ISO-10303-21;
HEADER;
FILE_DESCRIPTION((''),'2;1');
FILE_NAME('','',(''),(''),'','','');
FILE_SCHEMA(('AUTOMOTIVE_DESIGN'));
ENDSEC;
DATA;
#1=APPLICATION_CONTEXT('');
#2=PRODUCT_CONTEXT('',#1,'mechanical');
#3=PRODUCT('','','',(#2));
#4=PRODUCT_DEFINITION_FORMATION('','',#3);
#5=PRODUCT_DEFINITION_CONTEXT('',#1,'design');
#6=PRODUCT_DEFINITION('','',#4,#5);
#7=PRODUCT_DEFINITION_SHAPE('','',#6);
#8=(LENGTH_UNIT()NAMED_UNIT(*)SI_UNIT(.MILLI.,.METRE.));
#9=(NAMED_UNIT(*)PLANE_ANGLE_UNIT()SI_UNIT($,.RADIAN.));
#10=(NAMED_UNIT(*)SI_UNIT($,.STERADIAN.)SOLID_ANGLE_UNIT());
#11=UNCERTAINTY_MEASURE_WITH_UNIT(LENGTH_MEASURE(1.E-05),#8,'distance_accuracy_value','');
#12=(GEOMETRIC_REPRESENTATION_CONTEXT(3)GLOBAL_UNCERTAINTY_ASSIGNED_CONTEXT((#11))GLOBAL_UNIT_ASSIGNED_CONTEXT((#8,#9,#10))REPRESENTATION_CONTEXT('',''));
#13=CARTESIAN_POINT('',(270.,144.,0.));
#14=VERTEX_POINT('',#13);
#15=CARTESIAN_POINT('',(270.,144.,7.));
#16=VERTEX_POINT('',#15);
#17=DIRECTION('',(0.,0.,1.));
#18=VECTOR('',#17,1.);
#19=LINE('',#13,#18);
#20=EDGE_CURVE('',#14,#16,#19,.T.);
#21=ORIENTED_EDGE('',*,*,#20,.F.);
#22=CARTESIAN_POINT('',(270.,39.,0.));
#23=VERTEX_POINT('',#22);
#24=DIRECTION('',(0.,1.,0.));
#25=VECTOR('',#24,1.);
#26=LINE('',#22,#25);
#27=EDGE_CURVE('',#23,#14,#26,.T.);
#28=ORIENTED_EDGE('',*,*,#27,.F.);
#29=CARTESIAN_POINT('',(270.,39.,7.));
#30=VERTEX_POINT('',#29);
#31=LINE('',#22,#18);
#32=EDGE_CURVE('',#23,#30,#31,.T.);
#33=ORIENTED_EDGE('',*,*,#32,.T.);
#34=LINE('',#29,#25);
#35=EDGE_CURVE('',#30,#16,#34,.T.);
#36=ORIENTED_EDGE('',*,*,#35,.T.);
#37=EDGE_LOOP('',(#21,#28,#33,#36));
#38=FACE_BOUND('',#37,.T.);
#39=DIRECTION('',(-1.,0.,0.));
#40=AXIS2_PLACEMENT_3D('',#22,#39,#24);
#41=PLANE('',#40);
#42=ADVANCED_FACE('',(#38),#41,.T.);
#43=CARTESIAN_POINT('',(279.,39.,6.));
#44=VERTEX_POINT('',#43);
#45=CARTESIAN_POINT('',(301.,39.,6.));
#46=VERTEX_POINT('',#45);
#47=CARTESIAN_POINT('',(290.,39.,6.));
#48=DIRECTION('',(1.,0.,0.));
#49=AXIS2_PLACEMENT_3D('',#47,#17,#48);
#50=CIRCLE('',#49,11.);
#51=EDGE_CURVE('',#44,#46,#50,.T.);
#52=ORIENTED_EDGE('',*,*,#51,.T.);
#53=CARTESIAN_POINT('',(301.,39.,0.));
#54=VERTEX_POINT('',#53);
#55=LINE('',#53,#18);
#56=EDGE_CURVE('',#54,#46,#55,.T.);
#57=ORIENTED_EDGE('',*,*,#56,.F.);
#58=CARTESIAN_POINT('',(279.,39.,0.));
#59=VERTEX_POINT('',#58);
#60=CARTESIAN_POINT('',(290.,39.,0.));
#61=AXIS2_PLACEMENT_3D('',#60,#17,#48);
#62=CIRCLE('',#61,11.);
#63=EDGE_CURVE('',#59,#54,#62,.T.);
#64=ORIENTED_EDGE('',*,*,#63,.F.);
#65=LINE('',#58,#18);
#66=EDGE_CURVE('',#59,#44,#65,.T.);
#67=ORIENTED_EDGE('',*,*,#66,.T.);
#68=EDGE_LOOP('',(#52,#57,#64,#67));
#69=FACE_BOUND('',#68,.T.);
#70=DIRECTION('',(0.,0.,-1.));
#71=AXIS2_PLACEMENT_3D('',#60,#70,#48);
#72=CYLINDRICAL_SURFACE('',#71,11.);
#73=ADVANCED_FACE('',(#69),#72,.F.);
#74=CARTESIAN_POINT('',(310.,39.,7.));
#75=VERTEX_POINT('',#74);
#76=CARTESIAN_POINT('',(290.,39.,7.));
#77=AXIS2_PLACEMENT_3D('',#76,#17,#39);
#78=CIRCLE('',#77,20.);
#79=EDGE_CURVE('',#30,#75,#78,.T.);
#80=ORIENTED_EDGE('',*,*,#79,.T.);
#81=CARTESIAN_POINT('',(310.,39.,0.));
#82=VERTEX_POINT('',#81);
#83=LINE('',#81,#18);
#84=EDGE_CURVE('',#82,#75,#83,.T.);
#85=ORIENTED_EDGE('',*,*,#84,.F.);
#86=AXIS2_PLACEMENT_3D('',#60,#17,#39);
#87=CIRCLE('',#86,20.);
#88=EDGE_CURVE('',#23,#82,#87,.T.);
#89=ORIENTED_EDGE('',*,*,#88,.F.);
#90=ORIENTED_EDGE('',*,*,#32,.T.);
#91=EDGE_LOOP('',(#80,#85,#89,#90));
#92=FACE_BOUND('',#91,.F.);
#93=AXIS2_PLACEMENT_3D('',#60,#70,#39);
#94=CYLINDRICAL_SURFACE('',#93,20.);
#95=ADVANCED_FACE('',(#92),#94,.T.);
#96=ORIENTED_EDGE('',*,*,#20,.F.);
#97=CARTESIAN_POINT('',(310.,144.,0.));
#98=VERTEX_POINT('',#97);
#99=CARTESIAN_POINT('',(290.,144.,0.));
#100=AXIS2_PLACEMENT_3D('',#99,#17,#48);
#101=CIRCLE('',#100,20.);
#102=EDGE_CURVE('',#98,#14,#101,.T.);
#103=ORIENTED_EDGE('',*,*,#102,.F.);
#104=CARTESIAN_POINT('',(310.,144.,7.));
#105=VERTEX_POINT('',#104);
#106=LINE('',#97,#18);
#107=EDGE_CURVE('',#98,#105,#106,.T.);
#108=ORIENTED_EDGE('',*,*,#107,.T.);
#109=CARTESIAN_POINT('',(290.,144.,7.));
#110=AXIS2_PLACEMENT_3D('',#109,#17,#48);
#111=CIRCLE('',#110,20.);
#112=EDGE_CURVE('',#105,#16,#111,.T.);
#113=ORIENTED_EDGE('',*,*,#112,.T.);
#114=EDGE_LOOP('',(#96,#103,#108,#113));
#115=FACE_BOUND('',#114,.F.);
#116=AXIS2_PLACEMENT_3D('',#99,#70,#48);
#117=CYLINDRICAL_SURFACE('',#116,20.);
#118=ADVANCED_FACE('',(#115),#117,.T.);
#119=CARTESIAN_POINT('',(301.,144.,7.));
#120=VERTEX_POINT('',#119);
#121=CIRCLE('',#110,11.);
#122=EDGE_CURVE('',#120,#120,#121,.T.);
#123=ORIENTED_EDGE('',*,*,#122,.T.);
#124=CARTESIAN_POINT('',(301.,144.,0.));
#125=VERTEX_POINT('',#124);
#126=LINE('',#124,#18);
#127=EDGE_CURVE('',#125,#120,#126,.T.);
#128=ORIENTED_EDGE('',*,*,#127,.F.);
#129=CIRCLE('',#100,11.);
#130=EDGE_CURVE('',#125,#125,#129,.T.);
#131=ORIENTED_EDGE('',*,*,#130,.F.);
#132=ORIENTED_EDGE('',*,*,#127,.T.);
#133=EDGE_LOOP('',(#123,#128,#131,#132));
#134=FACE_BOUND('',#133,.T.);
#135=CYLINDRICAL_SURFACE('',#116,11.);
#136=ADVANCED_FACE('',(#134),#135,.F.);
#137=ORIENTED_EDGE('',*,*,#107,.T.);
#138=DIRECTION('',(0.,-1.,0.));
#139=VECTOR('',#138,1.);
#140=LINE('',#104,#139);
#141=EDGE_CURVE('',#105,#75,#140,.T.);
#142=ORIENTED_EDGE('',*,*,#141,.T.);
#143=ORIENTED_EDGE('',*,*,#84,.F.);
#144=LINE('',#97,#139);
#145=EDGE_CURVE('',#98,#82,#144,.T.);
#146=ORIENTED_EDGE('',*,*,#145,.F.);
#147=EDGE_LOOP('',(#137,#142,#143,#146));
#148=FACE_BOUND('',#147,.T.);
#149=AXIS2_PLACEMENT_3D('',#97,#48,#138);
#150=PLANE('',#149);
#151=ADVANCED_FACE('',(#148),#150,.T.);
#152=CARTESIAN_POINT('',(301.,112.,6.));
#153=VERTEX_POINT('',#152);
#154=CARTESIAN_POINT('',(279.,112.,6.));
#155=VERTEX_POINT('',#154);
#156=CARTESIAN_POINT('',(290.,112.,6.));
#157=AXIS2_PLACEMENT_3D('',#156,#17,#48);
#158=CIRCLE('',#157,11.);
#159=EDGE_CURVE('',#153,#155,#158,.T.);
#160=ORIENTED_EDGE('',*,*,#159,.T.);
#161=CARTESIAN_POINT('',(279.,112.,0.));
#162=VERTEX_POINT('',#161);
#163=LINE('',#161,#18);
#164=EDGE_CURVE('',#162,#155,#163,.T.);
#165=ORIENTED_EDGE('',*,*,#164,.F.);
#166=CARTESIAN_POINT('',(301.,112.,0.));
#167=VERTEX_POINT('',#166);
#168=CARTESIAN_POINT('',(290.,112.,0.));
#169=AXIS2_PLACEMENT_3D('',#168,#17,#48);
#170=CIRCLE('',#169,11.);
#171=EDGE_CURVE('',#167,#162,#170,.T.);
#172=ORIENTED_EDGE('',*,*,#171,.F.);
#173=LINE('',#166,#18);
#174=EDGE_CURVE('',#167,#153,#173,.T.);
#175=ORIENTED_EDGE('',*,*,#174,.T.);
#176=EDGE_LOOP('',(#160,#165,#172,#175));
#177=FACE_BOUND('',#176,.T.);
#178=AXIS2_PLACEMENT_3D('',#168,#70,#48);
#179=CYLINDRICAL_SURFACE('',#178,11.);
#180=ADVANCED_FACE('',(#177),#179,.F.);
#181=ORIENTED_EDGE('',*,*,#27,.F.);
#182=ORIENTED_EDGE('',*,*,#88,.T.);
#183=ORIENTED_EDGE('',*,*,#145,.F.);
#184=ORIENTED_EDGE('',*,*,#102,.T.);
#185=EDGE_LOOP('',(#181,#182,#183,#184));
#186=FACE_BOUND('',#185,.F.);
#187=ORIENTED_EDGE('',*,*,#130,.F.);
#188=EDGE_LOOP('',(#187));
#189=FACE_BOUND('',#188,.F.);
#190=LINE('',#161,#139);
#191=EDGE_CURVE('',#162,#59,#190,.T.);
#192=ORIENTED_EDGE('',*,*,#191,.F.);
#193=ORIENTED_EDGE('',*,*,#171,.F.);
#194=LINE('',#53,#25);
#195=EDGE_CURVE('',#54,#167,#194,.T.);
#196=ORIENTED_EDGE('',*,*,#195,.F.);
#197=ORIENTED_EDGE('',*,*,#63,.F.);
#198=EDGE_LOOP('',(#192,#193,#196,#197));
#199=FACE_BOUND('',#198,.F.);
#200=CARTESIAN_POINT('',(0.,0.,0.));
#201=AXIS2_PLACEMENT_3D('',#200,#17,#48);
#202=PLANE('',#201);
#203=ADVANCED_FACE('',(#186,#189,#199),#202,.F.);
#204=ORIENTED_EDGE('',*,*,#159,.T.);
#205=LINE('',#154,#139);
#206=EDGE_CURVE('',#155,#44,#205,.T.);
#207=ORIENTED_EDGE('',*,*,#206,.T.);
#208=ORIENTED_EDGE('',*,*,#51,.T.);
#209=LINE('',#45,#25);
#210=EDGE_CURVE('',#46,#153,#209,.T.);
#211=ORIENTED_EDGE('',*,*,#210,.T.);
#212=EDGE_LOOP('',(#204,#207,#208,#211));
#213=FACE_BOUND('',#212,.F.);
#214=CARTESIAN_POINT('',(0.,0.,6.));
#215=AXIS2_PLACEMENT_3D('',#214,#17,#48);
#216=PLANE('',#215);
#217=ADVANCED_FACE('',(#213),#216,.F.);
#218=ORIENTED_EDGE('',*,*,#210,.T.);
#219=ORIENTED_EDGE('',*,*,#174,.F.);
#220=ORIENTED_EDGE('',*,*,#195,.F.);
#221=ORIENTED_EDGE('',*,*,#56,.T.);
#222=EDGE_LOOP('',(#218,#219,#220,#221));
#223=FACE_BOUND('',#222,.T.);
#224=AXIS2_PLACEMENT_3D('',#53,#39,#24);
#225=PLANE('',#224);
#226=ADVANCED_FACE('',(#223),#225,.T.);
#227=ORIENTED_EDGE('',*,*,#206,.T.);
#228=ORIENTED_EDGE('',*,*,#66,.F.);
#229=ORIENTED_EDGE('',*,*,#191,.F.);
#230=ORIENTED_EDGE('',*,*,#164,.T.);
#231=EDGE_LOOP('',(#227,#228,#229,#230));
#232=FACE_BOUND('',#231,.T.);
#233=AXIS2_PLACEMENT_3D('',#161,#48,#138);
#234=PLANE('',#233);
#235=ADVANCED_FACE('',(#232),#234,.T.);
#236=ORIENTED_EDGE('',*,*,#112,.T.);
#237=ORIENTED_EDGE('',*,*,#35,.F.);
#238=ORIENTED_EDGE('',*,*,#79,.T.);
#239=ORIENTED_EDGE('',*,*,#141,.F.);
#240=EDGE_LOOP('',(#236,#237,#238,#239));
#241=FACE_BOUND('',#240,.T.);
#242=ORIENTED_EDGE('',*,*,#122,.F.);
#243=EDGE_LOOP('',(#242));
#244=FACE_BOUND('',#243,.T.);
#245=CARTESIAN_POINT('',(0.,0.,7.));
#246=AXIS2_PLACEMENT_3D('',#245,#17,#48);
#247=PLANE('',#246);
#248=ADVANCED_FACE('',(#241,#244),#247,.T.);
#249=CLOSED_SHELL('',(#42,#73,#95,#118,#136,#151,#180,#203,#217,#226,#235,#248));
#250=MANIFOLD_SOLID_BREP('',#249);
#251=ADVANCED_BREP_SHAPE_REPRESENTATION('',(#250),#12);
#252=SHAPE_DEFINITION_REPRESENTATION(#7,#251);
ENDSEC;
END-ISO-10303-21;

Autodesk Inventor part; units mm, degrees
ref_plane "YZ Plane" through (0, 0, 0) normal (1, 0, 0) x (0, 1, 0)
ref_plane "XZ Plane" through (0, 0, 0) normal (0, 1, 0) x (-1, 0, 0)
ref_plane "XY Plane" through (0, 0, 0) normal (0, 0, 1) x (1, 0, 0)
sketch "Sketch1" plane through (0, 0, 0) normal (0, 0, 1) x (1, 0, 0)
  line L0 (0, 0) -> (220, 0) construction
  line L1 (220, 0) -> (220, 9) construction
  line L2 (220, 9) -> (0, 9) construction
  line L3 (0, 9) -> (0, 0) construction
  line L4 (0, 9) -> (90.94, 295.0593) construction
  line L5 (129.06, 295.0593) -> (220, 9) construction
  circle A0 centre (110, 289) radius 11 construction
  line L6 (96.1101, 281.616) -> (103.5522, 305.0259) construction
  arc A1 (129.06, 295.0593) -> (90.94, 295.0593) centre (110, 289) ccw construction
  line L7 (99, 275.5567) -> (99, 269.1274) construction
  line L8 (110, 289) -> (110, 144) construction
  line L9 (130, 289) -> (130, 144) construction
  line L10 (90, 144) -> (90, 289) construction
  arc A2 (130, 289) -> (90, 289) centre (110, 289) ccw construction
  arc A3 (90, 144) -> (130, 144) centre (110, 144) ccw construction
  line L11 (290, 144) -> (290, 249) construction
  line L12 (310, 144) -> (310, 249) construction
  line L13 (270, 249) -> (270, 144) construction
  arc A4 (270, 144) -> (310, 144) centre (290, 144) ccw construction
  arc A5 (310, 249) -> (270, 249) centre (290, 249) ccw construction
  arc A6 (90, 289) -> (130, 289) centre (110, 289) ccw construction
  line L14 (98.9216, 269) -> (121.0784, 269) construction
  line L15 (209.0249, 269) -> (370.9751, 269) construction
  line L16 (209.0249, 144) -> (370.9751, 144) construction
  line L17 (290, 144) -> (290, 39) construction
  line L18 (310, 144) -> (310, 39)
  line L19 (270, 39) -> (270, 144)
  arc A7 (310, 144) -> (270, 144) centre (290, 144) ccw
  arc A8 (270, 39) -> (310, 39) centre (290, 39) ccw
  line L20 (209.0249, 19) -> (370.9751, 19) construction
  circle A9 centre (110, 289) radius 11 construction
  circle A10 centre (110, 144) radius 11 construction
  circle A11 centre (290, 144) radius 11
  circle A12 centre (290, 39) radius 11
  line L21 (290, 39) -> (290, 112) construction
  line L22 (301, 39) -> (301, 112)
  line L23 (279, 112) -> (279, 39)
  arc A13 (279, 39) -> (301, 39) centre (290, 39) ccw
  arc A14 (301, 112) -> (279, 112) centre (290, 112) ccw
  line L24 (290, 123) -> (290, 133) construction
  point P0 (110, 0)
  point P1 (110, 216.5)
  point P2 (110, 309)
  point P3 (290, 196.5)
  point P4 (110, 269)
  point P5 (110, 269)
  point P6 (290, 269)
  point P7 (290, 75.5)
  dimension "d18" = 22
  dimension "d0" = 9
  dimension "d1" = 220
  dimension "d2" = 22
  dimension "d3" = 280
  dimension "d4" = 9
  dimension "d7" = 40
  dimension "d8" = 40
  dimension "pendgap" = 0
  dimension "abovethefloor" = 10
  dimension "d11" = 105
  dimension "d12" = 145
  dimension "d14" = 22
  dimension "d19" = 22
  dimension "d20" = 50
  dimension "d23" = 10
extrude "Extrusion3" add sketch "Sketch1" along normal blind 7 contours L18 A8 L19 A7 | A12 | A12 L23 A14 L22
extrude "Extrusion4" cut sketch "Sketch1" along normal blind 6 contours A11 | A12 | A12 L23 A14 L22
properties part number "DBP-3-pendulum2"
